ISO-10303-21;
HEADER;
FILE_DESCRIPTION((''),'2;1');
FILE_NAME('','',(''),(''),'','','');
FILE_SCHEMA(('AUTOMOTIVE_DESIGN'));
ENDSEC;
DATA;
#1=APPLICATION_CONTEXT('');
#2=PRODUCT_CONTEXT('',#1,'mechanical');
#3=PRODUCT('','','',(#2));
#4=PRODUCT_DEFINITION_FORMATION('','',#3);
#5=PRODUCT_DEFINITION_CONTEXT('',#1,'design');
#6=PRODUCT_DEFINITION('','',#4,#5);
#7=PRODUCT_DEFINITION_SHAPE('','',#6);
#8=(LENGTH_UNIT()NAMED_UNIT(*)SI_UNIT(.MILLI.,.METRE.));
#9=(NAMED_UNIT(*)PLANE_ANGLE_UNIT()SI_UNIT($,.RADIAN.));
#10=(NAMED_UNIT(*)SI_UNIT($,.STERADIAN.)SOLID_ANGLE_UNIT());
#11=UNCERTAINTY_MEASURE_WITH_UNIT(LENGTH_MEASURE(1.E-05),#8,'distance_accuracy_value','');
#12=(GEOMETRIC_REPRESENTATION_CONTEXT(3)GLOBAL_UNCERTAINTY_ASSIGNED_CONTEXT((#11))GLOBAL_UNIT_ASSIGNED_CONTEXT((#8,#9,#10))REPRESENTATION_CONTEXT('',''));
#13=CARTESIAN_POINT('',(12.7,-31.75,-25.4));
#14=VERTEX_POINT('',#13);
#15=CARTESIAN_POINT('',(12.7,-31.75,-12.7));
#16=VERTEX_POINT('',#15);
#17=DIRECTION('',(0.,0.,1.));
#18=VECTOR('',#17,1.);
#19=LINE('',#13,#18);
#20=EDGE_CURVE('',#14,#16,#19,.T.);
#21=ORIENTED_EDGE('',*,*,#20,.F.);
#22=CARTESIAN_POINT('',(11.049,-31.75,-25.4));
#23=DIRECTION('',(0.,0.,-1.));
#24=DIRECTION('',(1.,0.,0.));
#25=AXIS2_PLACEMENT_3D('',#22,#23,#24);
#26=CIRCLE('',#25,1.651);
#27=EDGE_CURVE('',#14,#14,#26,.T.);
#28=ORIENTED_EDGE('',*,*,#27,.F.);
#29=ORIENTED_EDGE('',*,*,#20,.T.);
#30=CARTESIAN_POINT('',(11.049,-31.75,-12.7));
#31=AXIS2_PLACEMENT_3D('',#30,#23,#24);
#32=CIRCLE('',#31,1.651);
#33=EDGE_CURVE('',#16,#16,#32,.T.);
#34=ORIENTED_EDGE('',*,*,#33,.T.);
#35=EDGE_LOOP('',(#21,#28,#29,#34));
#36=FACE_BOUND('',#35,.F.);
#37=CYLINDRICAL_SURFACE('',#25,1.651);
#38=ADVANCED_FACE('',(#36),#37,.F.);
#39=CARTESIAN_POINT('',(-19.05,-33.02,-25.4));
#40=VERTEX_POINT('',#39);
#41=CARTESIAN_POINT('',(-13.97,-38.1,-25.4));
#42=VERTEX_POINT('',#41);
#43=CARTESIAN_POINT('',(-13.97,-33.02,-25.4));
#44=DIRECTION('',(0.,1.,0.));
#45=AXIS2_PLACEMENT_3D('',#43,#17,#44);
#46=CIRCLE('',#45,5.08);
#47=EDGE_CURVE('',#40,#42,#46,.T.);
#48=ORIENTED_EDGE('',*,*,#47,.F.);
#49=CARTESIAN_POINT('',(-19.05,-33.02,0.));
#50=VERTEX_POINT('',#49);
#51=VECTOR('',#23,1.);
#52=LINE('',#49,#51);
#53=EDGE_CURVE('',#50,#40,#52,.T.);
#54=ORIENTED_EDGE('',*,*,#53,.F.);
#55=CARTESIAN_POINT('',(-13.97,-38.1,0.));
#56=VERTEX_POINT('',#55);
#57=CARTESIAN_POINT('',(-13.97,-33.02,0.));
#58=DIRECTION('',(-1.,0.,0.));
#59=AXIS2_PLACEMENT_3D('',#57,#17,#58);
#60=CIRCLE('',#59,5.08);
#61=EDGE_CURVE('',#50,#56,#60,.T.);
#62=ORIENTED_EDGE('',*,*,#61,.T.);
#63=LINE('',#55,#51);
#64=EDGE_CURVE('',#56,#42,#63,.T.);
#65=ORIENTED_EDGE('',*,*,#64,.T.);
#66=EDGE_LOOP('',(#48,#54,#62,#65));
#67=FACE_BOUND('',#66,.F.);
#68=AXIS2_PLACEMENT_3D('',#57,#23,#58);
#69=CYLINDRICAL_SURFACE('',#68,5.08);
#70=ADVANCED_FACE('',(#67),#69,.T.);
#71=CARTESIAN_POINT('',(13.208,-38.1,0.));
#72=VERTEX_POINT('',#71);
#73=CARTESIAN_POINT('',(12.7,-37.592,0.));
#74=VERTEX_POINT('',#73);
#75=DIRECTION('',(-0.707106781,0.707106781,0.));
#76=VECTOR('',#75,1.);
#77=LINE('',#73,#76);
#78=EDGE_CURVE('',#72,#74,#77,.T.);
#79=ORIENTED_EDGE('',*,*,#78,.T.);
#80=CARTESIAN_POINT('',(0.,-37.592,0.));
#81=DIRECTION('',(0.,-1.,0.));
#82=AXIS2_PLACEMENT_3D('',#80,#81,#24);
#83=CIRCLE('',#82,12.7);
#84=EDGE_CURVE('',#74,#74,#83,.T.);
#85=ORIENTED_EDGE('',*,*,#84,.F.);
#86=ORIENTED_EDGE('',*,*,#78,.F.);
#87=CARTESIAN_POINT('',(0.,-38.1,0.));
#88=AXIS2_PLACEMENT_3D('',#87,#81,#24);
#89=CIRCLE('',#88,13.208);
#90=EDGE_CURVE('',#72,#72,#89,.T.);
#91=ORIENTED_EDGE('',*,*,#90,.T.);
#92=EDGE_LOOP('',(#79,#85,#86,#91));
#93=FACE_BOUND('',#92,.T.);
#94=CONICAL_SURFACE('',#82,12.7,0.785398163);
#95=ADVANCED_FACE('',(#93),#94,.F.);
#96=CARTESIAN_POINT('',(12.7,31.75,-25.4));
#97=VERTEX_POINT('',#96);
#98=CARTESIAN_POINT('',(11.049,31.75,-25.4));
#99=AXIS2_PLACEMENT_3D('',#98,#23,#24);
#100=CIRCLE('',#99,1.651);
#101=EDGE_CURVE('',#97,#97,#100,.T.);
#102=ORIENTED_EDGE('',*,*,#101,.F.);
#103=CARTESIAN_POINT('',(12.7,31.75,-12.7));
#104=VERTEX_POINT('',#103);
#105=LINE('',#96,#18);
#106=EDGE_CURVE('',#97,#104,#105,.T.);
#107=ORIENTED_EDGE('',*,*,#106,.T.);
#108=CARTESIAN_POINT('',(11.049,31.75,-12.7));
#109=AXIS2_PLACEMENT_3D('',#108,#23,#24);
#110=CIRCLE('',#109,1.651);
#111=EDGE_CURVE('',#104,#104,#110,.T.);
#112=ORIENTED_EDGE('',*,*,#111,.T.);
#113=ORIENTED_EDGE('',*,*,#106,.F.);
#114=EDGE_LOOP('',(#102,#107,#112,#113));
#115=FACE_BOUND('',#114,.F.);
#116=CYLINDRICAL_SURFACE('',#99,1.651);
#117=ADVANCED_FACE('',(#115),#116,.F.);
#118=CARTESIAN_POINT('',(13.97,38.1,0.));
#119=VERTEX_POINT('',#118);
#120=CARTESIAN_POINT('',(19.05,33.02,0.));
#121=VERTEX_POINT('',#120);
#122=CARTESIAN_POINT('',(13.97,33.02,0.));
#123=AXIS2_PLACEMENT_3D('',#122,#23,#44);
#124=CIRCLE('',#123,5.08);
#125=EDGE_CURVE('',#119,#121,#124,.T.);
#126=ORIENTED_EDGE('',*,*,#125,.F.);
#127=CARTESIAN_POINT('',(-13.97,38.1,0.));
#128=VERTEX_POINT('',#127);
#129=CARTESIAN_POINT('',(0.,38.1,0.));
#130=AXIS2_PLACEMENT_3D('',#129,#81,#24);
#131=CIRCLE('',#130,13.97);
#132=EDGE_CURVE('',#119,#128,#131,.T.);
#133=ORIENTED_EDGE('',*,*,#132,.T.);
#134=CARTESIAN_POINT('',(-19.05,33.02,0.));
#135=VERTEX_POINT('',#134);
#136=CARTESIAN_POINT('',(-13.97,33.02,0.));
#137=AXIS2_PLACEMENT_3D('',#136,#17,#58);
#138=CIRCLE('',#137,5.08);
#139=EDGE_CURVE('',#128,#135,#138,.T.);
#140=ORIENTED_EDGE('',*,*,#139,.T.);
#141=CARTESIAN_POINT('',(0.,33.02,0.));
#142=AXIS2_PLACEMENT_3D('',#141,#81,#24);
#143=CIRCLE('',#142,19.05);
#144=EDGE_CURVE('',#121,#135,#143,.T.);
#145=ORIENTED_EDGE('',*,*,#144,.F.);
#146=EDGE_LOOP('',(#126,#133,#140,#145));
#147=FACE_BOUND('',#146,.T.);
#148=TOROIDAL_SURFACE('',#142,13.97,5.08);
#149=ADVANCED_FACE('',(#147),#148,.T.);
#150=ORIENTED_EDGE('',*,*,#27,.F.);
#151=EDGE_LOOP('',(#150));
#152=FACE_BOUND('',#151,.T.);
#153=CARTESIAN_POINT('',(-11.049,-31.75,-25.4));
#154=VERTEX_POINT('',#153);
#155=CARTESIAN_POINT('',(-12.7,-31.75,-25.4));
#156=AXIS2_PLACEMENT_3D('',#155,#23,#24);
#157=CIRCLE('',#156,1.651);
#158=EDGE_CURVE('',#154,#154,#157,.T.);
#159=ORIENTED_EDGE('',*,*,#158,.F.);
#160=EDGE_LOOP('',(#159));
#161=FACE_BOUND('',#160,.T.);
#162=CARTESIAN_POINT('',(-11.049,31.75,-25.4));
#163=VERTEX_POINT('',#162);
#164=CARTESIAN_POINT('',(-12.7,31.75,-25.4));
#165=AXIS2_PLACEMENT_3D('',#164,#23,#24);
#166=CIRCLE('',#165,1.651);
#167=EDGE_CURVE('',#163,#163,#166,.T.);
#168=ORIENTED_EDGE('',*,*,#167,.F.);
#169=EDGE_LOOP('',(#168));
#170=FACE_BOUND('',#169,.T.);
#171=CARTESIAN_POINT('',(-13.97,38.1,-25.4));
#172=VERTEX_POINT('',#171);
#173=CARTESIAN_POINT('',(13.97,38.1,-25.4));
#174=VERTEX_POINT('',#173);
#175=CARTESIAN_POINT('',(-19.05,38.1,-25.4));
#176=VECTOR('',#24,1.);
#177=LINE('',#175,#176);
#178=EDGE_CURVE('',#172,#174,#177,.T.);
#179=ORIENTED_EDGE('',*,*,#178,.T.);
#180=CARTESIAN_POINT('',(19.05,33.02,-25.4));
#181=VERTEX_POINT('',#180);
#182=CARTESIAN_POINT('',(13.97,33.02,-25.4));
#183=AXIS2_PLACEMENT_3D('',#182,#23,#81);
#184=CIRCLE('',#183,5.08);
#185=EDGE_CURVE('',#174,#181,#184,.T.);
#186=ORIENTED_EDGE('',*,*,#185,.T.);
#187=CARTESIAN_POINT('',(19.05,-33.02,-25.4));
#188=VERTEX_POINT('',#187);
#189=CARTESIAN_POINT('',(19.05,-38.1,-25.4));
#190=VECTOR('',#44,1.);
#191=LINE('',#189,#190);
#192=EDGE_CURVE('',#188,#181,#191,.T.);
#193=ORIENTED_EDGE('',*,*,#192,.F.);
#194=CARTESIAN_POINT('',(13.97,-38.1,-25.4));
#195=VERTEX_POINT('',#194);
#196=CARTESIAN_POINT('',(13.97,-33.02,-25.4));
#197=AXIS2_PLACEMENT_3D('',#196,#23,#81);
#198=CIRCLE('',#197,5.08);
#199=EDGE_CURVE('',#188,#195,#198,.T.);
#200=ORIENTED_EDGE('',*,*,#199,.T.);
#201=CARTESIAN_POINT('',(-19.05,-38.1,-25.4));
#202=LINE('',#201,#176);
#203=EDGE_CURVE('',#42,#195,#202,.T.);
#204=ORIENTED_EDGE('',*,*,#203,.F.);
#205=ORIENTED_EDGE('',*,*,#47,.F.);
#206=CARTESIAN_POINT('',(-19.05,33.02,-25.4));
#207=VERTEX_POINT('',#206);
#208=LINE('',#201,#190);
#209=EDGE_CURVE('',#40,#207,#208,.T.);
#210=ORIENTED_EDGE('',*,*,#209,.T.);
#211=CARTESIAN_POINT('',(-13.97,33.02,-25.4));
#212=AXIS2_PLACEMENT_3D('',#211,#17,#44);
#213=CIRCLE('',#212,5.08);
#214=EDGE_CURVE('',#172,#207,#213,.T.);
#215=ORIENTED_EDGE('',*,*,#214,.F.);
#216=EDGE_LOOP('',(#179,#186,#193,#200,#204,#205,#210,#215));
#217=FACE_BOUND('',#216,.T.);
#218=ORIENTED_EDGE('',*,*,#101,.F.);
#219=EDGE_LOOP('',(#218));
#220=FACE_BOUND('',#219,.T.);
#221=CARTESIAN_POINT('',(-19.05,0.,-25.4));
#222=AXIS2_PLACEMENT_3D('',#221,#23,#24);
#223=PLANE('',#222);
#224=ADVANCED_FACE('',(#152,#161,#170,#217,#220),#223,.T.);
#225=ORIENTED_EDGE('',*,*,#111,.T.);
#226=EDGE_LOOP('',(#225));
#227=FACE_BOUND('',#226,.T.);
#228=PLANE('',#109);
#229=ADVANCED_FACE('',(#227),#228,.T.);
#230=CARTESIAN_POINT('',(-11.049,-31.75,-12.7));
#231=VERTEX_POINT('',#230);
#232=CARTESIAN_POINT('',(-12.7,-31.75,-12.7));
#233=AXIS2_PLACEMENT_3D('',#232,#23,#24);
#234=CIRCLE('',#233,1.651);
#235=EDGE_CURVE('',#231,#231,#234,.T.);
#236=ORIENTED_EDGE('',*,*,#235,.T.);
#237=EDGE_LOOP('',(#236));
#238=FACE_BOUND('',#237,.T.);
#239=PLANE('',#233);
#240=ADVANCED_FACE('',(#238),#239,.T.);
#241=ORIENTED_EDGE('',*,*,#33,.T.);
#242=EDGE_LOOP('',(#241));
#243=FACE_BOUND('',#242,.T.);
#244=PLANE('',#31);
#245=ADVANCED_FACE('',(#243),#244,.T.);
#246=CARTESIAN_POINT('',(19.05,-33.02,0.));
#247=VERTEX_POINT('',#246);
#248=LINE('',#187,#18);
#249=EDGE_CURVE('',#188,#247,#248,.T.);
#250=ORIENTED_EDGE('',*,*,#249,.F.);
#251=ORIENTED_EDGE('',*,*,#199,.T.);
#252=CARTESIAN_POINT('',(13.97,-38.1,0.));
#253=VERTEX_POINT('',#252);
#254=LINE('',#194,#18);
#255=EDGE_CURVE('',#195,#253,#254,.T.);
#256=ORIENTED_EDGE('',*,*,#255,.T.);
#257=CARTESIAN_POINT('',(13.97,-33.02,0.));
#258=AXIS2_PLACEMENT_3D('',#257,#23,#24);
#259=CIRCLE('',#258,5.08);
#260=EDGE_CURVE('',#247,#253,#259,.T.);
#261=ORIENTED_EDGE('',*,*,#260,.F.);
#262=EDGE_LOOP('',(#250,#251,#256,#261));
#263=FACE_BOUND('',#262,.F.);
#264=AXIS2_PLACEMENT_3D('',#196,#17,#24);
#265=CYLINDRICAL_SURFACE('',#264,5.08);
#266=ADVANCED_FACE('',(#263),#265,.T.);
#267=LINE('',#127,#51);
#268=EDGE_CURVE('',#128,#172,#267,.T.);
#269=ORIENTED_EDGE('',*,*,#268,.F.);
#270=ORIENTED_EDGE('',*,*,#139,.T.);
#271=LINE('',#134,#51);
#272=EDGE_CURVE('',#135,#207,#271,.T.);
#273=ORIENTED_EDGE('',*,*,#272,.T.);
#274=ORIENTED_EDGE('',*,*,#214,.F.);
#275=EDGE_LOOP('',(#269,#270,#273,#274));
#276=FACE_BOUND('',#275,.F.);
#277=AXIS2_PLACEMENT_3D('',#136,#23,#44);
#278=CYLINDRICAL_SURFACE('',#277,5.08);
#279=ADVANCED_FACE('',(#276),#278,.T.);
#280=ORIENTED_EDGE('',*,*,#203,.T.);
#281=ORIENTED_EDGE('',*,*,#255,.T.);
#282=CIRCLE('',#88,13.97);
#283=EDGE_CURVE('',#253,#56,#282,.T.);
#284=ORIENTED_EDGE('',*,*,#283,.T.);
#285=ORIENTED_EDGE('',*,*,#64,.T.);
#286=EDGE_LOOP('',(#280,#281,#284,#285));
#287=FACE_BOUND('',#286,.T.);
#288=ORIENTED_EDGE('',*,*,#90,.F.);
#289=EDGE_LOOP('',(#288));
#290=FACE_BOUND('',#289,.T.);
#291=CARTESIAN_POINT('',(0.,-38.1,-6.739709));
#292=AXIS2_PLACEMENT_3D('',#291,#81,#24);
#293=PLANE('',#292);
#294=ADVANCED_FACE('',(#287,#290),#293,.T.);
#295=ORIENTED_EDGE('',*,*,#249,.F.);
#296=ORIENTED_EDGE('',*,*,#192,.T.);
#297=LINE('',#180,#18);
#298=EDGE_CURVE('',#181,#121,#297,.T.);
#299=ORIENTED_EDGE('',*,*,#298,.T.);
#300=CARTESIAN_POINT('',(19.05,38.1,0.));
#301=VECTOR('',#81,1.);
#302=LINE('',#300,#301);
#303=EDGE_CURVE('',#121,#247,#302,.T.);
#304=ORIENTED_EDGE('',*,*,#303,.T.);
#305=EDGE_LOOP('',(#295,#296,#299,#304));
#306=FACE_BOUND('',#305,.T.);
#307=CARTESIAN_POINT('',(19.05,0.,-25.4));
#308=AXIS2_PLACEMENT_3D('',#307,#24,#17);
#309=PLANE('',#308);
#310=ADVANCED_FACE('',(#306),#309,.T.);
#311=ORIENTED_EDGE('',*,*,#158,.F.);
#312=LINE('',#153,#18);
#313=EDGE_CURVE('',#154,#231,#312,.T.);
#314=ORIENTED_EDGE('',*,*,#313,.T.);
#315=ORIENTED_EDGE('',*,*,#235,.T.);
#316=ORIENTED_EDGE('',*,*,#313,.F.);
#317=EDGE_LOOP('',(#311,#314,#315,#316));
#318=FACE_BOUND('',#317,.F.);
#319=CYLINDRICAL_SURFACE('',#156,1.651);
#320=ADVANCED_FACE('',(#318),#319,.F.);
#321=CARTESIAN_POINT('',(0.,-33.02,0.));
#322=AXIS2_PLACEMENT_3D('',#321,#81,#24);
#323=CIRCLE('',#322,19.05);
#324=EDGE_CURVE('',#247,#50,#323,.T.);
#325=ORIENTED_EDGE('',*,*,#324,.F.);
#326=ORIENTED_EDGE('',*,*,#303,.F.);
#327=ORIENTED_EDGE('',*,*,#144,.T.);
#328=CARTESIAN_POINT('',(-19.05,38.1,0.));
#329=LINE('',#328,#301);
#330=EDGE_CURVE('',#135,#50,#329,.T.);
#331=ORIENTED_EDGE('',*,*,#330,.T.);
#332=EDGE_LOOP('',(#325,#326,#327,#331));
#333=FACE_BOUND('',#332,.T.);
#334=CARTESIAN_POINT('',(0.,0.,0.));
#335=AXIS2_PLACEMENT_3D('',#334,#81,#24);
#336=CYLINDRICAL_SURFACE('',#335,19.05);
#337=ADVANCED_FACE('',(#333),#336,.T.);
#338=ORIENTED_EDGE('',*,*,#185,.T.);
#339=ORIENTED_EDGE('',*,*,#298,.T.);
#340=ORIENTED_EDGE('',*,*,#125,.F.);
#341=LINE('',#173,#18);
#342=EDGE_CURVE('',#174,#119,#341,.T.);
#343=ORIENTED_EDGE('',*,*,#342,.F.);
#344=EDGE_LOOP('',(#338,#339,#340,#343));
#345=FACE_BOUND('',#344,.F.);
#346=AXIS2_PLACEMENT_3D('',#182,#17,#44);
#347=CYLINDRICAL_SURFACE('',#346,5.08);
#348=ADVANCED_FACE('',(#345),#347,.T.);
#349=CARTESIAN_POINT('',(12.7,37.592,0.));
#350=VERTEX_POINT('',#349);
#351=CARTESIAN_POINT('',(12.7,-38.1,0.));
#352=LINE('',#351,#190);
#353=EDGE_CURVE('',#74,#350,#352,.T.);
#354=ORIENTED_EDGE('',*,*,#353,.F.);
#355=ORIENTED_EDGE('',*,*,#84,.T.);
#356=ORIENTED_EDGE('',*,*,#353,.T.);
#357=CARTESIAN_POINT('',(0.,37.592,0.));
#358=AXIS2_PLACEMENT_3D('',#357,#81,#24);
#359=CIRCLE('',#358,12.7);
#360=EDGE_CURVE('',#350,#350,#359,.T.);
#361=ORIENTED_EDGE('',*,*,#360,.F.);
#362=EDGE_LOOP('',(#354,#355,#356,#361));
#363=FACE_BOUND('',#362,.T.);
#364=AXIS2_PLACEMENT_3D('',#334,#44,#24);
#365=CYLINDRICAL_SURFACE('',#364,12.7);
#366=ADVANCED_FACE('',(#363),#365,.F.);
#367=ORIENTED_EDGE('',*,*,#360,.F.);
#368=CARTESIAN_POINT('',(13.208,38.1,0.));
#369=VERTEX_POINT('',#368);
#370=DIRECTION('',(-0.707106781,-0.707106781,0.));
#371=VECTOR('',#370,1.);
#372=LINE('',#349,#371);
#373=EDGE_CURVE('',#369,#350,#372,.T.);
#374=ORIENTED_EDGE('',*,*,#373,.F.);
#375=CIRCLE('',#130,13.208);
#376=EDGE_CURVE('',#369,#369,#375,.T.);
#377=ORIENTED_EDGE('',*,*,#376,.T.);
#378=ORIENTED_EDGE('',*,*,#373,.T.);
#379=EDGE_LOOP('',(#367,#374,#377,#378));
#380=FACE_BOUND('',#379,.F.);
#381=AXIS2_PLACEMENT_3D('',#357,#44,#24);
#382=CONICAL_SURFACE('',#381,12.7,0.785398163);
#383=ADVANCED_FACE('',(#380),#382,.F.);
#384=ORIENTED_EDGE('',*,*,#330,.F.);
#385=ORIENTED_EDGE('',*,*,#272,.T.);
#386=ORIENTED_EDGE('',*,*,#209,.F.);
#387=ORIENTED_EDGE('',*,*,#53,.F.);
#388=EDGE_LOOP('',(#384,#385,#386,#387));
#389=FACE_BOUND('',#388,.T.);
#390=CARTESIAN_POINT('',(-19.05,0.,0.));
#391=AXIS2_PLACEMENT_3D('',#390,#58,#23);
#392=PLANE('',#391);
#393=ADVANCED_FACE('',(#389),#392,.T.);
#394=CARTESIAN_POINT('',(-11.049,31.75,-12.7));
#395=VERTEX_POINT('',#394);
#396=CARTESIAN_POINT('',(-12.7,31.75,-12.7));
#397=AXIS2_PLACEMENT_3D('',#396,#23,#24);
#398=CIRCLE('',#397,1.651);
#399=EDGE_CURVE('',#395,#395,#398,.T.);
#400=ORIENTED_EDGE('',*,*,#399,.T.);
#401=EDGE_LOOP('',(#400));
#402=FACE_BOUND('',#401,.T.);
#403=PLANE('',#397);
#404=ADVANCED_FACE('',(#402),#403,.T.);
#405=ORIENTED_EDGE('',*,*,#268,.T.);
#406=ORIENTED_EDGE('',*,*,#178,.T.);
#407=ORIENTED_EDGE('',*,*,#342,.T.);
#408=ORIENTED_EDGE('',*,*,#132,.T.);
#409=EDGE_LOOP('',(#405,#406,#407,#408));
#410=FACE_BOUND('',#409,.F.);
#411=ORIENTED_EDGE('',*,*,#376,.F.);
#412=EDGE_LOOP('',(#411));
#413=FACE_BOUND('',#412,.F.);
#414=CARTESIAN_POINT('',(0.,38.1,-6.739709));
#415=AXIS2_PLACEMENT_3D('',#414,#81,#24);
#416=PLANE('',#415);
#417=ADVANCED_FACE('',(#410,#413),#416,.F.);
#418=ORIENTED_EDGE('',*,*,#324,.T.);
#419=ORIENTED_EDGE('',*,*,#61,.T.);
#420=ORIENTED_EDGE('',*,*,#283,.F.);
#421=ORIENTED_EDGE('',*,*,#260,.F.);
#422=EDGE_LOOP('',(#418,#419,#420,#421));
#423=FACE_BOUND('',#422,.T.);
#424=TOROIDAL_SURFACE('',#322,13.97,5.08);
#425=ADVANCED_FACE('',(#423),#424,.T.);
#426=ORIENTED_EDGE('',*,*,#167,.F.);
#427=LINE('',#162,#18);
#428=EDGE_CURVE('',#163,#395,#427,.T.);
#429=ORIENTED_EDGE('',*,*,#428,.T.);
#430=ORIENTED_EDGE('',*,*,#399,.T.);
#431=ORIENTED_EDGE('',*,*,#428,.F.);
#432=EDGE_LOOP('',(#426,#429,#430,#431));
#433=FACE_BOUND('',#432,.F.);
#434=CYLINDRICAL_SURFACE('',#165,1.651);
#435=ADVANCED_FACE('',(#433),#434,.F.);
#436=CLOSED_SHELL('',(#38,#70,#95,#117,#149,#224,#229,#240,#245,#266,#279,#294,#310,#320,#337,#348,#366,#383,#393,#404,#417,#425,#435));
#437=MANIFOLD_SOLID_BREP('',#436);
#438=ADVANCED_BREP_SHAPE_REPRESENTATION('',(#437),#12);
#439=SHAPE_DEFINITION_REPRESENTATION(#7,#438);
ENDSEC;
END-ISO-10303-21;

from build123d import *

# Parameters (mm, degrees)
F0_R     = 12.7
F1_DEPTH = 38.1
F2_R     = 1.651
F3_DEPTH = 12.7
F4_R     = 5.08
F5_SIZE  = 0.508


with BuildPart() as f1:
    # F0 (on Front) → F1 (new body, symmetric)
    with BuildSketch(Plane.XZ):
        with BuildLine():
            Line((19.05, -25.4), (19.05, 0))
            ThreePointArc((19.05, 0), (0, 19.05), (-19.05, 0))
            Line((-19.05, 0), (-19.05, -25.4))
            Line((-19.05, -25.4), (19.05, -25.4))
        make_face()
        Circle(F0_R, mode=Mode.SUBTRACT)
    extrude(amount=F1_DEPTH, both=True)

    # F2 (on face) → F3 (cut)
    with BuildSketch(Plane(origin=(0, 0, -25.4), x_dir=(1, 0, 0), z_dir=(0, 0, -1))):
        with Locations((-12.7, 31.75)):
            Circle(F2_R)
        with Locations((11.049, 31.75)):
            Circle(F2_R)
        with Locations((-12.7, -31.75)):
            Circle(F2_R)
        with Locations((11.049, -31.75)):
            Circle(F2_R)
    extrude(amount=-F3_DEPTH, mode=Mode.SUBTRACT)

    # F4
    f4_edges = [f1.edges().sort_by_distance(p)[0] for p in [
        (0, 38.1, 19.05),
        (0, -38.1, 19.05),
    ]]
    fillet(f4_edges, radius=F4_R)

    # F5
    f5_edges = [f1.edges().sort_by_distance(p)[0] for p in [
        (-12.7, 38.1, 0),
        (-12.7, -38.1, 0),
    ]]
    chamfer(f5_edges, length=F5_SIZE)


solid = f1.part
